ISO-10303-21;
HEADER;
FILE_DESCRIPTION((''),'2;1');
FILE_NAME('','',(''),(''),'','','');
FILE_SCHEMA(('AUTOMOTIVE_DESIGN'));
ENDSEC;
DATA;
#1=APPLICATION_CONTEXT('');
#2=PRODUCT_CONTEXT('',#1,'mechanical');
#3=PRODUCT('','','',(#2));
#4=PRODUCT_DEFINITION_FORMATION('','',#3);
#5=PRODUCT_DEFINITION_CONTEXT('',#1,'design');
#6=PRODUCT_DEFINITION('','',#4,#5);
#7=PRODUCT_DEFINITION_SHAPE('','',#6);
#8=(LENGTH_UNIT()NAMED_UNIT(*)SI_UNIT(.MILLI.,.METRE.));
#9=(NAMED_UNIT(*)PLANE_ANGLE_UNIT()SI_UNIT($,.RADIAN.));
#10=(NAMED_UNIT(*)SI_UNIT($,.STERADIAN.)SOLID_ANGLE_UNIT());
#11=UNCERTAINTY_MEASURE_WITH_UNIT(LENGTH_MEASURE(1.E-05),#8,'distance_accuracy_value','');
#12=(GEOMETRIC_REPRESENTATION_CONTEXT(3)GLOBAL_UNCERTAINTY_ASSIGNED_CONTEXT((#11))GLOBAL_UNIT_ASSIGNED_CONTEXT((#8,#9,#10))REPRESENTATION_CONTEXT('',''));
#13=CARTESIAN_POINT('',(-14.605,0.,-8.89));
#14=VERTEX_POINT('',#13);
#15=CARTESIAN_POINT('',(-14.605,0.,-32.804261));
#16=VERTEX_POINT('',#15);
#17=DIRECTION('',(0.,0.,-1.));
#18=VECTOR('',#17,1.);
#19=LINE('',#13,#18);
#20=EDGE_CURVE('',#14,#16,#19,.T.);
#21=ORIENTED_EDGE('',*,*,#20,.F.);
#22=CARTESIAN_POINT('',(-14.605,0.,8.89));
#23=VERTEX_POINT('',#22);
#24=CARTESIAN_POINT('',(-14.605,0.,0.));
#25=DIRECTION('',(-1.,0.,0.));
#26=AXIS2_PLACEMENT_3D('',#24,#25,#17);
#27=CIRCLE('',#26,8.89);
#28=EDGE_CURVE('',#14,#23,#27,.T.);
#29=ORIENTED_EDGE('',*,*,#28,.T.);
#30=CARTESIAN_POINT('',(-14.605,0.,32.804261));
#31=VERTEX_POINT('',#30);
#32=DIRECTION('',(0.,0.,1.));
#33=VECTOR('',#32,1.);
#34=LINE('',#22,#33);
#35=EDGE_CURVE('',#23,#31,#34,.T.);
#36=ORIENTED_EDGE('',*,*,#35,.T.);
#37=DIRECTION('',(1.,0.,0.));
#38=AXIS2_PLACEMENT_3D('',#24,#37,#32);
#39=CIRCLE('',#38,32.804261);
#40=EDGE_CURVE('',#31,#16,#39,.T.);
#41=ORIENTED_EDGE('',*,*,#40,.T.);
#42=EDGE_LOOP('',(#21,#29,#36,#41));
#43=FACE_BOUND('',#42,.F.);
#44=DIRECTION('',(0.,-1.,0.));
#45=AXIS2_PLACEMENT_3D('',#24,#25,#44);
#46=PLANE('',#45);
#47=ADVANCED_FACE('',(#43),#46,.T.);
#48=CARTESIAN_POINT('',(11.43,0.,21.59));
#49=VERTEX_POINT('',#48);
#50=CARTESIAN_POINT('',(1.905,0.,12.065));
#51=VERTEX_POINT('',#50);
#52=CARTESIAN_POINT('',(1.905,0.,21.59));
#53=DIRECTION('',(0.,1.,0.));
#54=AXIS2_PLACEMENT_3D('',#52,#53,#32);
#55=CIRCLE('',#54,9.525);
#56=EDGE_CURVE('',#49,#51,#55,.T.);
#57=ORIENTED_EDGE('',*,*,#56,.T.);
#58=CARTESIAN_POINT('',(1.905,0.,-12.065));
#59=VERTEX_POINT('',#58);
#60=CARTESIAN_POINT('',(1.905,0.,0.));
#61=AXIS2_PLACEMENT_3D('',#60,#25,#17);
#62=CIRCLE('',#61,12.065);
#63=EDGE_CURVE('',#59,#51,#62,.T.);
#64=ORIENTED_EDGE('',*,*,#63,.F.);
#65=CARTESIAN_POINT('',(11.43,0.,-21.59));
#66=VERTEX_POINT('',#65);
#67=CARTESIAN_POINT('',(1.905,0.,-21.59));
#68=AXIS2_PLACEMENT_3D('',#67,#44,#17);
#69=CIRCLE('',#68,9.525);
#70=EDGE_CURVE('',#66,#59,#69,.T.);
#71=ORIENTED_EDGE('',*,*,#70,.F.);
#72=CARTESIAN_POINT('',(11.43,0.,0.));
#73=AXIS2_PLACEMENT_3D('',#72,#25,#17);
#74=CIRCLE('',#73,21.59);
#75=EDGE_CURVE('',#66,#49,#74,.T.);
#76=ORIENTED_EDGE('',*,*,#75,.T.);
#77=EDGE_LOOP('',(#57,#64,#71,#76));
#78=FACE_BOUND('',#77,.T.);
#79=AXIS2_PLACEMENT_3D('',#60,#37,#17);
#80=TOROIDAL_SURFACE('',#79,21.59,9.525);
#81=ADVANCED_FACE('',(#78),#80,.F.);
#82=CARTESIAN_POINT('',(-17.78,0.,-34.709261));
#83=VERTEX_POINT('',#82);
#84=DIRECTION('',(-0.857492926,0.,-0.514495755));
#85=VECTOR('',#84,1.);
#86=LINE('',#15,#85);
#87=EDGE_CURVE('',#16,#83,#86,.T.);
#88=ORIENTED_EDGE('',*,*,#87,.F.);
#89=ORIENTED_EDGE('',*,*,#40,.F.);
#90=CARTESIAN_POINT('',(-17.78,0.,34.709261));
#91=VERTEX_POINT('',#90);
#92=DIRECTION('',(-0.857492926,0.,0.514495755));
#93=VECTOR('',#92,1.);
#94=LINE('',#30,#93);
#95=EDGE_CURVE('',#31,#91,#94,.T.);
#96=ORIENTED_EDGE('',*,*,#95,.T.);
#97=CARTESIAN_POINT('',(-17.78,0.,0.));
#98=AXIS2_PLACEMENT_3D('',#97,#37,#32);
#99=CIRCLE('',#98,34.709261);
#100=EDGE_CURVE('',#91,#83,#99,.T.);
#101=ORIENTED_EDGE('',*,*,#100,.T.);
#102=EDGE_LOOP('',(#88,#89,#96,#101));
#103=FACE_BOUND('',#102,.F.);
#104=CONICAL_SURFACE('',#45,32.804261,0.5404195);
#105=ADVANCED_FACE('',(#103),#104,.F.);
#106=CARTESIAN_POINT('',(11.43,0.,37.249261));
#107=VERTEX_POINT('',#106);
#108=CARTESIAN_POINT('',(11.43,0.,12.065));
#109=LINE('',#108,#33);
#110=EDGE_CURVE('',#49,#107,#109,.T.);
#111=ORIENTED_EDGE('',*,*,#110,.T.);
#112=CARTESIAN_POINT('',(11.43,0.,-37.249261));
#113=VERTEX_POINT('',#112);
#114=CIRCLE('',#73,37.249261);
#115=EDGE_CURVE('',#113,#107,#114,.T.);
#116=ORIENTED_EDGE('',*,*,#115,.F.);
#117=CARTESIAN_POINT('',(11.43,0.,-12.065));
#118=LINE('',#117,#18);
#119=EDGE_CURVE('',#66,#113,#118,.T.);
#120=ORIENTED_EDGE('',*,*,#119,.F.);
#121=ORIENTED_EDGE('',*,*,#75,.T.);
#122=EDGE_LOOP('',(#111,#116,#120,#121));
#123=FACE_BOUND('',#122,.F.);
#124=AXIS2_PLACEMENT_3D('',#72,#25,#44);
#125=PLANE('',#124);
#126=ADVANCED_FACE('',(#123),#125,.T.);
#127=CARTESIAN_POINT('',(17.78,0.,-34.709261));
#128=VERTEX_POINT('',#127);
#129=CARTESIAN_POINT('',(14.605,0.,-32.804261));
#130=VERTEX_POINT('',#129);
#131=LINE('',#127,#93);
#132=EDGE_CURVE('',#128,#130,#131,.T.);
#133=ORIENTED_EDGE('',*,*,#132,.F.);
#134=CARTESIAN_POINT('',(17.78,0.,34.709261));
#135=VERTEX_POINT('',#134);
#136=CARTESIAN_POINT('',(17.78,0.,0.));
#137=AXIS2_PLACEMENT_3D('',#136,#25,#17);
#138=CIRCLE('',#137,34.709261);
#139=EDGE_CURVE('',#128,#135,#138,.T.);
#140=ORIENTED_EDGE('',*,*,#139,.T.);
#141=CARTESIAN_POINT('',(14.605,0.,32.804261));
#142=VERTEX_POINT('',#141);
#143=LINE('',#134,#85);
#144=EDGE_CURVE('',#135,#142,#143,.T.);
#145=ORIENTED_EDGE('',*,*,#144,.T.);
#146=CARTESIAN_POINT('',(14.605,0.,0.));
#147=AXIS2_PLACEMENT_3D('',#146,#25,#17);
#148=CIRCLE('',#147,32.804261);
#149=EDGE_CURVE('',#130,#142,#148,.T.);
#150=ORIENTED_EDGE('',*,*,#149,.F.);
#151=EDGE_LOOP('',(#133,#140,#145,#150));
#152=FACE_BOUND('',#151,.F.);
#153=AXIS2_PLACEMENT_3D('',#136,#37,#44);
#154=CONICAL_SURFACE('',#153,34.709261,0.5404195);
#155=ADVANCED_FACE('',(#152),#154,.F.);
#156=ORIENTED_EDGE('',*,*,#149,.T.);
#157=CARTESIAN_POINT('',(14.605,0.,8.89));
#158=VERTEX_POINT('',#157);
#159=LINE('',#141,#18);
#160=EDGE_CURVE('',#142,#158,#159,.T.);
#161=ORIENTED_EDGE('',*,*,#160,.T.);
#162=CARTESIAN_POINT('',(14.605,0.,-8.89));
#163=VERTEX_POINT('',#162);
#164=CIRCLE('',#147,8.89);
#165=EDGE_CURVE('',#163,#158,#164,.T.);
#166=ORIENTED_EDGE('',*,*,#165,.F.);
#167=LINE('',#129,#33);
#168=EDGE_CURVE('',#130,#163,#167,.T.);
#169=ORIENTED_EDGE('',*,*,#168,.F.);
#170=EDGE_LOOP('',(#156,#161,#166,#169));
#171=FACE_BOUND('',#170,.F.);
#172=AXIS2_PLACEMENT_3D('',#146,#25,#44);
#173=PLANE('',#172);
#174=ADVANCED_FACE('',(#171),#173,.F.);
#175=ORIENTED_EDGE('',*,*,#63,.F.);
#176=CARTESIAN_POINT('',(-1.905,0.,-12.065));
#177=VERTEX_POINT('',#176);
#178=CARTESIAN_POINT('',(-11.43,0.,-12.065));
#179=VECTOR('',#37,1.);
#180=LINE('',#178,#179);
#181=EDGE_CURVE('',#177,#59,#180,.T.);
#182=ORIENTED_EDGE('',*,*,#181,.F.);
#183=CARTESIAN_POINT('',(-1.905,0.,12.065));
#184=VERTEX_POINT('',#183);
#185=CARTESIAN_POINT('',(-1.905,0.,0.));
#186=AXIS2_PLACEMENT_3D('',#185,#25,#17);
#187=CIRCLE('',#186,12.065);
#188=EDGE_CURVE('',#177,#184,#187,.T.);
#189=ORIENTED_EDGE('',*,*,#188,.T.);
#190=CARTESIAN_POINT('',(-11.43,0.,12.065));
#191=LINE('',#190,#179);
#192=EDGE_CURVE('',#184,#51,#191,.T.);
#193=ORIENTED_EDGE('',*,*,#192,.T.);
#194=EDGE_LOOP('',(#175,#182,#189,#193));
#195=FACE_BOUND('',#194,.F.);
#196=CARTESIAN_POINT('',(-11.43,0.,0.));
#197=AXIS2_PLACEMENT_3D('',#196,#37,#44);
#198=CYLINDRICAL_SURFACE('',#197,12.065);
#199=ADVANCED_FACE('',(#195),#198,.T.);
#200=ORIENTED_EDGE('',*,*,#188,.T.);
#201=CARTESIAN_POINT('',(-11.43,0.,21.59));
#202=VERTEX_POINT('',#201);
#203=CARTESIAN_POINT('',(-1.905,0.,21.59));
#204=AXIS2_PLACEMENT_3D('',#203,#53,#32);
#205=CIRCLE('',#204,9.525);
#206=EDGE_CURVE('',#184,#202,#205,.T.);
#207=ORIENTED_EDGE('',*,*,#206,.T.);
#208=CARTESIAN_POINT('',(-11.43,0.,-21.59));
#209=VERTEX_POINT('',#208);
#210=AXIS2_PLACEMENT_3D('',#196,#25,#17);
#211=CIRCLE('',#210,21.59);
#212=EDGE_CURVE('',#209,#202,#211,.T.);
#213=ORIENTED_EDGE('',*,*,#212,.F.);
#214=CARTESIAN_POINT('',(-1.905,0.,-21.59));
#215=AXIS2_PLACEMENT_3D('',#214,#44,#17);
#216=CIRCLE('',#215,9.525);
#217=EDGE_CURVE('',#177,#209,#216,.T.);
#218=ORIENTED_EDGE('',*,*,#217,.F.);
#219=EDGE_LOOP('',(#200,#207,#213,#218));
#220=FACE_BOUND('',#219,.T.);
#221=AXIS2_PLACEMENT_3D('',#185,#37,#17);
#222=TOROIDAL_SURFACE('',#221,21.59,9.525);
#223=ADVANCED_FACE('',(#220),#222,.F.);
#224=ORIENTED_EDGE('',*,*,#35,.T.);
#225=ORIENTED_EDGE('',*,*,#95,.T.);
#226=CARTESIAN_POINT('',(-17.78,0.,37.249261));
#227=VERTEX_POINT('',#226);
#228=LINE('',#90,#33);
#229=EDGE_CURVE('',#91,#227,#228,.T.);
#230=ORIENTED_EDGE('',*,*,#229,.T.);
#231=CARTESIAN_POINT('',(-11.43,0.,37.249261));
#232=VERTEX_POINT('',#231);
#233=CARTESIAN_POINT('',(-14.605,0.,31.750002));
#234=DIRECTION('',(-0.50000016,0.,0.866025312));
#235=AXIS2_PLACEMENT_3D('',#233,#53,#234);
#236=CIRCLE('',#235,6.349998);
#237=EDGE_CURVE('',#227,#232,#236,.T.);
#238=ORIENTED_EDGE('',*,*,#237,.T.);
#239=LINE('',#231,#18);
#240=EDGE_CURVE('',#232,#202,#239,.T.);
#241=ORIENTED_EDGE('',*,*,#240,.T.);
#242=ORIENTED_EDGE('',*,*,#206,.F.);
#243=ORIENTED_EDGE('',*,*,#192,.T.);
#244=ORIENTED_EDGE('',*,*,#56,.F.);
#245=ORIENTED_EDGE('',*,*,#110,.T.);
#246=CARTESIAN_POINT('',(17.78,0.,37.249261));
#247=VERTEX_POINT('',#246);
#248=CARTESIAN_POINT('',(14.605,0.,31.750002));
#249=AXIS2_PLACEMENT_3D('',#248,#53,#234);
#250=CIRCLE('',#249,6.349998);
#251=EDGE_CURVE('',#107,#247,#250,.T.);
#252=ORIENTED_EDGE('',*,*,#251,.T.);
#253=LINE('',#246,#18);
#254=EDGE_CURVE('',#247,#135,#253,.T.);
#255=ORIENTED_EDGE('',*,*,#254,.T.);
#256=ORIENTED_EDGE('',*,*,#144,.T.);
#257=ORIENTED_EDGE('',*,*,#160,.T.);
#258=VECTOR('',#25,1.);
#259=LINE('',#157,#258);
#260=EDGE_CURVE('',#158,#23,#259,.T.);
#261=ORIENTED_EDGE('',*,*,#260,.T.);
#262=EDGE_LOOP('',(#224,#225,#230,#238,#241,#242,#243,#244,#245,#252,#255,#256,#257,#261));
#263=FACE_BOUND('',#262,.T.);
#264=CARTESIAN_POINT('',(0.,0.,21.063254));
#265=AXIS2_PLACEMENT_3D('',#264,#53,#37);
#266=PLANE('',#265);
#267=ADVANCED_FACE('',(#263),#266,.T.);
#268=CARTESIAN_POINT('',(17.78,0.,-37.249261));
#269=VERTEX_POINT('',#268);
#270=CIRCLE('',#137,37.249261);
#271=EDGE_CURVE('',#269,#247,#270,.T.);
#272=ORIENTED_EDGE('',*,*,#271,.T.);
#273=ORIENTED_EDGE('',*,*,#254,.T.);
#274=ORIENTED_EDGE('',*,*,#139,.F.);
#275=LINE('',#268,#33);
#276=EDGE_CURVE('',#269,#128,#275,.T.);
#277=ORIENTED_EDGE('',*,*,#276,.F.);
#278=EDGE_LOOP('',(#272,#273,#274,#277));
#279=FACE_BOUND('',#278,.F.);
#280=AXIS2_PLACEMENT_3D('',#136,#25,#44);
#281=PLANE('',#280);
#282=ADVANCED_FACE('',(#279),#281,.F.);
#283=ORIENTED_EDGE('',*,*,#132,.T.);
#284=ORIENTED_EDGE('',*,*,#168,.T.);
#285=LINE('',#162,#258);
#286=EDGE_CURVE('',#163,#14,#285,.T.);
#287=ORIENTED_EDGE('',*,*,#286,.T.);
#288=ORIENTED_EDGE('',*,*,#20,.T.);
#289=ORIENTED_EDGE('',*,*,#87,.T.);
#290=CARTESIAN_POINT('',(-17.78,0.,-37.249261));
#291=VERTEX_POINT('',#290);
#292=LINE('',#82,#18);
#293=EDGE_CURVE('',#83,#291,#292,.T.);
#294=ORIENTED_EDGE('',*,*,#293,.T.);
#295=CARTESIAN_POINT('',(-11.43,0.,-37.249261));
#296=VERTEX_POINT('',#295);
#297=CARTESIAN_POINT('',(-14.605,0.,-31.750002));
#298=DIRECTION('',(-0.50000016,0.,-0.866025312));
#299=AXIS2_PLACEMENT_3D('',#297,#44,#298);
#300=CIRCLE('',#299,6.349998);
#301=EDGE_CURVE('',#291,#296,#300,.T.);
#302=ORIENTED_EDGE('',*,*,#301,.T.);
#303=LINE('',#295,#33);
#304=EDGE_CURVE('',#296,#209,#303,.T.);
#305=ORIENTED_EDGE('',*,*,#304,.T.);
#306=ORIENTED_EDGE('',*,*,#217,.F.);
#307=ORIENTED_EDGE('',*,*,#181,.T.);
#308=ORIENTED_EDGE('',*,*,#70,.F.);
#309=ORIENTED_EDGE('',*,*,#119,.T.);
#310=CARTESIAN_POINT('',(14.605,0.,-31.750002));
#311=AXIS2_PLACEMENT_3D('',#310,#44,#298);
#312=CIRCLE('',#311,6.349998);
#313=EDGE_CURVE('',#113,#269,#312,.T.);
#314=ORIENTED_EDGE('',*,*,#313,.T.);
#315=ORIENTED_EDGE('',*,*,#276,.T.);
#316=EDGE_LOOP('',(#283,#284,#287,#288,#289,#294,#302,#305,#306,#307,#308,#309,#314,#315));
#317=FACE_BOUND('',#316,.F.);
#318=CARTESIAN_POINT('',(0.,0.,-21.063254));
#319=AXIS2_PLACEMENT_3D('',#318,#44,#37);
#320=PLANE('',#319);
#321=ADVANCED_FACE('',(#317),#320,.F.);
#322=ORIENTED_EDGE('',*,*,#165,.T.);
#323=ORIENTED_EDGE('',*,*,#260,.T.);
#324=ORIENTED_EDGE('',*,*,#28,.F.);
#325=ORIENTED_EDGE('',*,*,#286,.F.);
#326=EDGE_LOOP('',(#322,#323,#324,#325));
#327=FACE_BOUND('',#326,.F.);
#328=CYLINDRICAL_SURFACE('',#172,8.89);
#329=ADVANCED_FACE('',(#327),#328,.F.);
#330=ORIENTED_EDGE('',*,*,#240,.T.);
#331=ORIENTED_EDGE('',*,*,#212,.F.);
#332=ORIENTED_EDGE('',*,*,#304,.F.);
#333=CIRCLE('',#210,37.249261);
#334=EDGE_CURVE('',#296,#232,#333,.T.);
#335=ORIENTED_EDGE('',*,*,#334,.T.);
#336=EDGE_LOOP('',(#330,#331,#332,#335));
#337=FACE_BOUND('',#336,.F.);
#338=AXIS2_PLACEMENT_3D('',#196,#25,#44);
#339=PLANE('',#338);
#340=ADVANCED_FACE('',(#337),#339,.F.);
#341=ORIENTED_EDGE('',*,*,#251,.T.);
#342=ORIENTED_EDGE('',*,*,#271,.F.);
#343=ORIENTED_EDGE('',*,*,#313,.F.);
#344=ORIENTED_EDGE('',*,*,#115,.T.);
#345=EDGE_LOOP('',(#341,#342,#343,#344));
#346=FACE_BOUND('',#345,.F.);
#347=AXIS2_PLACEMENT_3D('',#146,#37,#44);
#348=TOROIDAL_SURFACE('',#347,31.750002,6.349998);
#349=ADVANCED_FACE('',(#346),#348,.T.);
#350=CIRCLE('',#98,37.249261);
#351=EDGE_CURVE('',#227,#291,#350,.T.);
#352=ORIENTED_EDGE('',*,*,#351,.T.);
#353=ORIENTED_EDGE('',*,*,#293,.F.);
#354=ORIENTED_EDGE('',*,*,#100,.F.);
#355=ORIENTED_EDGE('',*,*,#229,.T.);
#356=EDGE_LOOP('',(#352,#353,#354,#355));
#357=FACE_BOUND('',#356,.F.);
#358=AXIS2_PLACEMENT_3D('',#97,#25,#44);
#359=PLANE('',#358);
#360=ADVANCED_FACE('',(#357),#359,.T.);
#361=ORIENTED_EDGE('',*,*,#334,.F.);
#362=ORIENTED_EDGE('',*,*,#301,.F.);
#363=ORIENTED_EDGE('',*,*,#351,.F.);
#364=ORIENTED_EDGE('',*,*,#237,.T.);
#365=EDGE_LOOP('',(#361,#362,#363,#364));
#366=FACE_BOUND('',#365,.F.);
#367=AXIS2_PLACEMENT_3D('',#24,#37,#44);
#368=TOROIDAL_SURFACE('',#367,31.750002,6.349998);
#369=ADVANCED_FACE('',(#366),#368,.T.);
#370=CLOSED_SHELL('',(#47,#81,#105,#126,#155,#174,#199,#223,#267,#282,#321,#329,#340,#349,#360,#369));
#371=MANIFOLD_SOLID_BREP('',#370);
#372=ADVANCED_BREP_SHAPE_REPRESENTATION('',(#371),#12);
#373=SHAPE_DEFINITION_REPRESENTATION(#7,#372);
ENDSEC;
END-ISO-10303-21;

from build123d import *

# Parameters (mm, degrees)
F1_ANGLE = 180
F2_R     = 9.525


with BuildPart() as f1:
    # F0 (on Top) → F1 (revolve, symmetric)
    with BuildSketch(Plane.XY) as f1_sk:
        with BuildLine():
            ThreePointArc((-17.78, -37.249261), (-14.605, -38.1), (-11.43, -37.249261))
            Line((-11.43, -37.249261), (-11.43, -12.065))
            Line((-11.43, -12.065), (11.43, -12.065))
            Line((11.43, -12.065), (11.43, -37.249261))
            ThreePointArc((11.43, -37.249261), (14.605, -38.1), (17.78, -37.249261))
            Line((17.78, -37.249261), (17.78, -34.709261))
            Line((17.78, -34.709261), (14.605, -32.804261))
            Line((14.605, -32.804261), (14.605, -8.89))
            Line((14.605, -8.89), (-14.605, -8.89))
            Line((-14.605, -8.89), (-14.605, -32.804261))
            Line((-14.605, -32.804261), (-17.78, -34.709261))
            Line((-17.78, -34.709261), (-17.78, -37.249261))
        make_face()
    revolve(axis=Axis((0, 0, 0), (1, 0, 0)), revolution_arc=F1_ANGLE / 2)
    revolve(f1_sk.sketch, axis=Axis((0, 0, 0), (-1, 0, 0)), revolution_arc=F1_ANGLE / 2)

    # F2
    f2_edges = [f1.edges().sort_by_distance(p)[0] for p in [
        (11.43, -12.065, 0),
        (-11.43, -12.065, 0),
    ]]
    fillet(f2_edges, radius=F2_R)


solid = f1.part
